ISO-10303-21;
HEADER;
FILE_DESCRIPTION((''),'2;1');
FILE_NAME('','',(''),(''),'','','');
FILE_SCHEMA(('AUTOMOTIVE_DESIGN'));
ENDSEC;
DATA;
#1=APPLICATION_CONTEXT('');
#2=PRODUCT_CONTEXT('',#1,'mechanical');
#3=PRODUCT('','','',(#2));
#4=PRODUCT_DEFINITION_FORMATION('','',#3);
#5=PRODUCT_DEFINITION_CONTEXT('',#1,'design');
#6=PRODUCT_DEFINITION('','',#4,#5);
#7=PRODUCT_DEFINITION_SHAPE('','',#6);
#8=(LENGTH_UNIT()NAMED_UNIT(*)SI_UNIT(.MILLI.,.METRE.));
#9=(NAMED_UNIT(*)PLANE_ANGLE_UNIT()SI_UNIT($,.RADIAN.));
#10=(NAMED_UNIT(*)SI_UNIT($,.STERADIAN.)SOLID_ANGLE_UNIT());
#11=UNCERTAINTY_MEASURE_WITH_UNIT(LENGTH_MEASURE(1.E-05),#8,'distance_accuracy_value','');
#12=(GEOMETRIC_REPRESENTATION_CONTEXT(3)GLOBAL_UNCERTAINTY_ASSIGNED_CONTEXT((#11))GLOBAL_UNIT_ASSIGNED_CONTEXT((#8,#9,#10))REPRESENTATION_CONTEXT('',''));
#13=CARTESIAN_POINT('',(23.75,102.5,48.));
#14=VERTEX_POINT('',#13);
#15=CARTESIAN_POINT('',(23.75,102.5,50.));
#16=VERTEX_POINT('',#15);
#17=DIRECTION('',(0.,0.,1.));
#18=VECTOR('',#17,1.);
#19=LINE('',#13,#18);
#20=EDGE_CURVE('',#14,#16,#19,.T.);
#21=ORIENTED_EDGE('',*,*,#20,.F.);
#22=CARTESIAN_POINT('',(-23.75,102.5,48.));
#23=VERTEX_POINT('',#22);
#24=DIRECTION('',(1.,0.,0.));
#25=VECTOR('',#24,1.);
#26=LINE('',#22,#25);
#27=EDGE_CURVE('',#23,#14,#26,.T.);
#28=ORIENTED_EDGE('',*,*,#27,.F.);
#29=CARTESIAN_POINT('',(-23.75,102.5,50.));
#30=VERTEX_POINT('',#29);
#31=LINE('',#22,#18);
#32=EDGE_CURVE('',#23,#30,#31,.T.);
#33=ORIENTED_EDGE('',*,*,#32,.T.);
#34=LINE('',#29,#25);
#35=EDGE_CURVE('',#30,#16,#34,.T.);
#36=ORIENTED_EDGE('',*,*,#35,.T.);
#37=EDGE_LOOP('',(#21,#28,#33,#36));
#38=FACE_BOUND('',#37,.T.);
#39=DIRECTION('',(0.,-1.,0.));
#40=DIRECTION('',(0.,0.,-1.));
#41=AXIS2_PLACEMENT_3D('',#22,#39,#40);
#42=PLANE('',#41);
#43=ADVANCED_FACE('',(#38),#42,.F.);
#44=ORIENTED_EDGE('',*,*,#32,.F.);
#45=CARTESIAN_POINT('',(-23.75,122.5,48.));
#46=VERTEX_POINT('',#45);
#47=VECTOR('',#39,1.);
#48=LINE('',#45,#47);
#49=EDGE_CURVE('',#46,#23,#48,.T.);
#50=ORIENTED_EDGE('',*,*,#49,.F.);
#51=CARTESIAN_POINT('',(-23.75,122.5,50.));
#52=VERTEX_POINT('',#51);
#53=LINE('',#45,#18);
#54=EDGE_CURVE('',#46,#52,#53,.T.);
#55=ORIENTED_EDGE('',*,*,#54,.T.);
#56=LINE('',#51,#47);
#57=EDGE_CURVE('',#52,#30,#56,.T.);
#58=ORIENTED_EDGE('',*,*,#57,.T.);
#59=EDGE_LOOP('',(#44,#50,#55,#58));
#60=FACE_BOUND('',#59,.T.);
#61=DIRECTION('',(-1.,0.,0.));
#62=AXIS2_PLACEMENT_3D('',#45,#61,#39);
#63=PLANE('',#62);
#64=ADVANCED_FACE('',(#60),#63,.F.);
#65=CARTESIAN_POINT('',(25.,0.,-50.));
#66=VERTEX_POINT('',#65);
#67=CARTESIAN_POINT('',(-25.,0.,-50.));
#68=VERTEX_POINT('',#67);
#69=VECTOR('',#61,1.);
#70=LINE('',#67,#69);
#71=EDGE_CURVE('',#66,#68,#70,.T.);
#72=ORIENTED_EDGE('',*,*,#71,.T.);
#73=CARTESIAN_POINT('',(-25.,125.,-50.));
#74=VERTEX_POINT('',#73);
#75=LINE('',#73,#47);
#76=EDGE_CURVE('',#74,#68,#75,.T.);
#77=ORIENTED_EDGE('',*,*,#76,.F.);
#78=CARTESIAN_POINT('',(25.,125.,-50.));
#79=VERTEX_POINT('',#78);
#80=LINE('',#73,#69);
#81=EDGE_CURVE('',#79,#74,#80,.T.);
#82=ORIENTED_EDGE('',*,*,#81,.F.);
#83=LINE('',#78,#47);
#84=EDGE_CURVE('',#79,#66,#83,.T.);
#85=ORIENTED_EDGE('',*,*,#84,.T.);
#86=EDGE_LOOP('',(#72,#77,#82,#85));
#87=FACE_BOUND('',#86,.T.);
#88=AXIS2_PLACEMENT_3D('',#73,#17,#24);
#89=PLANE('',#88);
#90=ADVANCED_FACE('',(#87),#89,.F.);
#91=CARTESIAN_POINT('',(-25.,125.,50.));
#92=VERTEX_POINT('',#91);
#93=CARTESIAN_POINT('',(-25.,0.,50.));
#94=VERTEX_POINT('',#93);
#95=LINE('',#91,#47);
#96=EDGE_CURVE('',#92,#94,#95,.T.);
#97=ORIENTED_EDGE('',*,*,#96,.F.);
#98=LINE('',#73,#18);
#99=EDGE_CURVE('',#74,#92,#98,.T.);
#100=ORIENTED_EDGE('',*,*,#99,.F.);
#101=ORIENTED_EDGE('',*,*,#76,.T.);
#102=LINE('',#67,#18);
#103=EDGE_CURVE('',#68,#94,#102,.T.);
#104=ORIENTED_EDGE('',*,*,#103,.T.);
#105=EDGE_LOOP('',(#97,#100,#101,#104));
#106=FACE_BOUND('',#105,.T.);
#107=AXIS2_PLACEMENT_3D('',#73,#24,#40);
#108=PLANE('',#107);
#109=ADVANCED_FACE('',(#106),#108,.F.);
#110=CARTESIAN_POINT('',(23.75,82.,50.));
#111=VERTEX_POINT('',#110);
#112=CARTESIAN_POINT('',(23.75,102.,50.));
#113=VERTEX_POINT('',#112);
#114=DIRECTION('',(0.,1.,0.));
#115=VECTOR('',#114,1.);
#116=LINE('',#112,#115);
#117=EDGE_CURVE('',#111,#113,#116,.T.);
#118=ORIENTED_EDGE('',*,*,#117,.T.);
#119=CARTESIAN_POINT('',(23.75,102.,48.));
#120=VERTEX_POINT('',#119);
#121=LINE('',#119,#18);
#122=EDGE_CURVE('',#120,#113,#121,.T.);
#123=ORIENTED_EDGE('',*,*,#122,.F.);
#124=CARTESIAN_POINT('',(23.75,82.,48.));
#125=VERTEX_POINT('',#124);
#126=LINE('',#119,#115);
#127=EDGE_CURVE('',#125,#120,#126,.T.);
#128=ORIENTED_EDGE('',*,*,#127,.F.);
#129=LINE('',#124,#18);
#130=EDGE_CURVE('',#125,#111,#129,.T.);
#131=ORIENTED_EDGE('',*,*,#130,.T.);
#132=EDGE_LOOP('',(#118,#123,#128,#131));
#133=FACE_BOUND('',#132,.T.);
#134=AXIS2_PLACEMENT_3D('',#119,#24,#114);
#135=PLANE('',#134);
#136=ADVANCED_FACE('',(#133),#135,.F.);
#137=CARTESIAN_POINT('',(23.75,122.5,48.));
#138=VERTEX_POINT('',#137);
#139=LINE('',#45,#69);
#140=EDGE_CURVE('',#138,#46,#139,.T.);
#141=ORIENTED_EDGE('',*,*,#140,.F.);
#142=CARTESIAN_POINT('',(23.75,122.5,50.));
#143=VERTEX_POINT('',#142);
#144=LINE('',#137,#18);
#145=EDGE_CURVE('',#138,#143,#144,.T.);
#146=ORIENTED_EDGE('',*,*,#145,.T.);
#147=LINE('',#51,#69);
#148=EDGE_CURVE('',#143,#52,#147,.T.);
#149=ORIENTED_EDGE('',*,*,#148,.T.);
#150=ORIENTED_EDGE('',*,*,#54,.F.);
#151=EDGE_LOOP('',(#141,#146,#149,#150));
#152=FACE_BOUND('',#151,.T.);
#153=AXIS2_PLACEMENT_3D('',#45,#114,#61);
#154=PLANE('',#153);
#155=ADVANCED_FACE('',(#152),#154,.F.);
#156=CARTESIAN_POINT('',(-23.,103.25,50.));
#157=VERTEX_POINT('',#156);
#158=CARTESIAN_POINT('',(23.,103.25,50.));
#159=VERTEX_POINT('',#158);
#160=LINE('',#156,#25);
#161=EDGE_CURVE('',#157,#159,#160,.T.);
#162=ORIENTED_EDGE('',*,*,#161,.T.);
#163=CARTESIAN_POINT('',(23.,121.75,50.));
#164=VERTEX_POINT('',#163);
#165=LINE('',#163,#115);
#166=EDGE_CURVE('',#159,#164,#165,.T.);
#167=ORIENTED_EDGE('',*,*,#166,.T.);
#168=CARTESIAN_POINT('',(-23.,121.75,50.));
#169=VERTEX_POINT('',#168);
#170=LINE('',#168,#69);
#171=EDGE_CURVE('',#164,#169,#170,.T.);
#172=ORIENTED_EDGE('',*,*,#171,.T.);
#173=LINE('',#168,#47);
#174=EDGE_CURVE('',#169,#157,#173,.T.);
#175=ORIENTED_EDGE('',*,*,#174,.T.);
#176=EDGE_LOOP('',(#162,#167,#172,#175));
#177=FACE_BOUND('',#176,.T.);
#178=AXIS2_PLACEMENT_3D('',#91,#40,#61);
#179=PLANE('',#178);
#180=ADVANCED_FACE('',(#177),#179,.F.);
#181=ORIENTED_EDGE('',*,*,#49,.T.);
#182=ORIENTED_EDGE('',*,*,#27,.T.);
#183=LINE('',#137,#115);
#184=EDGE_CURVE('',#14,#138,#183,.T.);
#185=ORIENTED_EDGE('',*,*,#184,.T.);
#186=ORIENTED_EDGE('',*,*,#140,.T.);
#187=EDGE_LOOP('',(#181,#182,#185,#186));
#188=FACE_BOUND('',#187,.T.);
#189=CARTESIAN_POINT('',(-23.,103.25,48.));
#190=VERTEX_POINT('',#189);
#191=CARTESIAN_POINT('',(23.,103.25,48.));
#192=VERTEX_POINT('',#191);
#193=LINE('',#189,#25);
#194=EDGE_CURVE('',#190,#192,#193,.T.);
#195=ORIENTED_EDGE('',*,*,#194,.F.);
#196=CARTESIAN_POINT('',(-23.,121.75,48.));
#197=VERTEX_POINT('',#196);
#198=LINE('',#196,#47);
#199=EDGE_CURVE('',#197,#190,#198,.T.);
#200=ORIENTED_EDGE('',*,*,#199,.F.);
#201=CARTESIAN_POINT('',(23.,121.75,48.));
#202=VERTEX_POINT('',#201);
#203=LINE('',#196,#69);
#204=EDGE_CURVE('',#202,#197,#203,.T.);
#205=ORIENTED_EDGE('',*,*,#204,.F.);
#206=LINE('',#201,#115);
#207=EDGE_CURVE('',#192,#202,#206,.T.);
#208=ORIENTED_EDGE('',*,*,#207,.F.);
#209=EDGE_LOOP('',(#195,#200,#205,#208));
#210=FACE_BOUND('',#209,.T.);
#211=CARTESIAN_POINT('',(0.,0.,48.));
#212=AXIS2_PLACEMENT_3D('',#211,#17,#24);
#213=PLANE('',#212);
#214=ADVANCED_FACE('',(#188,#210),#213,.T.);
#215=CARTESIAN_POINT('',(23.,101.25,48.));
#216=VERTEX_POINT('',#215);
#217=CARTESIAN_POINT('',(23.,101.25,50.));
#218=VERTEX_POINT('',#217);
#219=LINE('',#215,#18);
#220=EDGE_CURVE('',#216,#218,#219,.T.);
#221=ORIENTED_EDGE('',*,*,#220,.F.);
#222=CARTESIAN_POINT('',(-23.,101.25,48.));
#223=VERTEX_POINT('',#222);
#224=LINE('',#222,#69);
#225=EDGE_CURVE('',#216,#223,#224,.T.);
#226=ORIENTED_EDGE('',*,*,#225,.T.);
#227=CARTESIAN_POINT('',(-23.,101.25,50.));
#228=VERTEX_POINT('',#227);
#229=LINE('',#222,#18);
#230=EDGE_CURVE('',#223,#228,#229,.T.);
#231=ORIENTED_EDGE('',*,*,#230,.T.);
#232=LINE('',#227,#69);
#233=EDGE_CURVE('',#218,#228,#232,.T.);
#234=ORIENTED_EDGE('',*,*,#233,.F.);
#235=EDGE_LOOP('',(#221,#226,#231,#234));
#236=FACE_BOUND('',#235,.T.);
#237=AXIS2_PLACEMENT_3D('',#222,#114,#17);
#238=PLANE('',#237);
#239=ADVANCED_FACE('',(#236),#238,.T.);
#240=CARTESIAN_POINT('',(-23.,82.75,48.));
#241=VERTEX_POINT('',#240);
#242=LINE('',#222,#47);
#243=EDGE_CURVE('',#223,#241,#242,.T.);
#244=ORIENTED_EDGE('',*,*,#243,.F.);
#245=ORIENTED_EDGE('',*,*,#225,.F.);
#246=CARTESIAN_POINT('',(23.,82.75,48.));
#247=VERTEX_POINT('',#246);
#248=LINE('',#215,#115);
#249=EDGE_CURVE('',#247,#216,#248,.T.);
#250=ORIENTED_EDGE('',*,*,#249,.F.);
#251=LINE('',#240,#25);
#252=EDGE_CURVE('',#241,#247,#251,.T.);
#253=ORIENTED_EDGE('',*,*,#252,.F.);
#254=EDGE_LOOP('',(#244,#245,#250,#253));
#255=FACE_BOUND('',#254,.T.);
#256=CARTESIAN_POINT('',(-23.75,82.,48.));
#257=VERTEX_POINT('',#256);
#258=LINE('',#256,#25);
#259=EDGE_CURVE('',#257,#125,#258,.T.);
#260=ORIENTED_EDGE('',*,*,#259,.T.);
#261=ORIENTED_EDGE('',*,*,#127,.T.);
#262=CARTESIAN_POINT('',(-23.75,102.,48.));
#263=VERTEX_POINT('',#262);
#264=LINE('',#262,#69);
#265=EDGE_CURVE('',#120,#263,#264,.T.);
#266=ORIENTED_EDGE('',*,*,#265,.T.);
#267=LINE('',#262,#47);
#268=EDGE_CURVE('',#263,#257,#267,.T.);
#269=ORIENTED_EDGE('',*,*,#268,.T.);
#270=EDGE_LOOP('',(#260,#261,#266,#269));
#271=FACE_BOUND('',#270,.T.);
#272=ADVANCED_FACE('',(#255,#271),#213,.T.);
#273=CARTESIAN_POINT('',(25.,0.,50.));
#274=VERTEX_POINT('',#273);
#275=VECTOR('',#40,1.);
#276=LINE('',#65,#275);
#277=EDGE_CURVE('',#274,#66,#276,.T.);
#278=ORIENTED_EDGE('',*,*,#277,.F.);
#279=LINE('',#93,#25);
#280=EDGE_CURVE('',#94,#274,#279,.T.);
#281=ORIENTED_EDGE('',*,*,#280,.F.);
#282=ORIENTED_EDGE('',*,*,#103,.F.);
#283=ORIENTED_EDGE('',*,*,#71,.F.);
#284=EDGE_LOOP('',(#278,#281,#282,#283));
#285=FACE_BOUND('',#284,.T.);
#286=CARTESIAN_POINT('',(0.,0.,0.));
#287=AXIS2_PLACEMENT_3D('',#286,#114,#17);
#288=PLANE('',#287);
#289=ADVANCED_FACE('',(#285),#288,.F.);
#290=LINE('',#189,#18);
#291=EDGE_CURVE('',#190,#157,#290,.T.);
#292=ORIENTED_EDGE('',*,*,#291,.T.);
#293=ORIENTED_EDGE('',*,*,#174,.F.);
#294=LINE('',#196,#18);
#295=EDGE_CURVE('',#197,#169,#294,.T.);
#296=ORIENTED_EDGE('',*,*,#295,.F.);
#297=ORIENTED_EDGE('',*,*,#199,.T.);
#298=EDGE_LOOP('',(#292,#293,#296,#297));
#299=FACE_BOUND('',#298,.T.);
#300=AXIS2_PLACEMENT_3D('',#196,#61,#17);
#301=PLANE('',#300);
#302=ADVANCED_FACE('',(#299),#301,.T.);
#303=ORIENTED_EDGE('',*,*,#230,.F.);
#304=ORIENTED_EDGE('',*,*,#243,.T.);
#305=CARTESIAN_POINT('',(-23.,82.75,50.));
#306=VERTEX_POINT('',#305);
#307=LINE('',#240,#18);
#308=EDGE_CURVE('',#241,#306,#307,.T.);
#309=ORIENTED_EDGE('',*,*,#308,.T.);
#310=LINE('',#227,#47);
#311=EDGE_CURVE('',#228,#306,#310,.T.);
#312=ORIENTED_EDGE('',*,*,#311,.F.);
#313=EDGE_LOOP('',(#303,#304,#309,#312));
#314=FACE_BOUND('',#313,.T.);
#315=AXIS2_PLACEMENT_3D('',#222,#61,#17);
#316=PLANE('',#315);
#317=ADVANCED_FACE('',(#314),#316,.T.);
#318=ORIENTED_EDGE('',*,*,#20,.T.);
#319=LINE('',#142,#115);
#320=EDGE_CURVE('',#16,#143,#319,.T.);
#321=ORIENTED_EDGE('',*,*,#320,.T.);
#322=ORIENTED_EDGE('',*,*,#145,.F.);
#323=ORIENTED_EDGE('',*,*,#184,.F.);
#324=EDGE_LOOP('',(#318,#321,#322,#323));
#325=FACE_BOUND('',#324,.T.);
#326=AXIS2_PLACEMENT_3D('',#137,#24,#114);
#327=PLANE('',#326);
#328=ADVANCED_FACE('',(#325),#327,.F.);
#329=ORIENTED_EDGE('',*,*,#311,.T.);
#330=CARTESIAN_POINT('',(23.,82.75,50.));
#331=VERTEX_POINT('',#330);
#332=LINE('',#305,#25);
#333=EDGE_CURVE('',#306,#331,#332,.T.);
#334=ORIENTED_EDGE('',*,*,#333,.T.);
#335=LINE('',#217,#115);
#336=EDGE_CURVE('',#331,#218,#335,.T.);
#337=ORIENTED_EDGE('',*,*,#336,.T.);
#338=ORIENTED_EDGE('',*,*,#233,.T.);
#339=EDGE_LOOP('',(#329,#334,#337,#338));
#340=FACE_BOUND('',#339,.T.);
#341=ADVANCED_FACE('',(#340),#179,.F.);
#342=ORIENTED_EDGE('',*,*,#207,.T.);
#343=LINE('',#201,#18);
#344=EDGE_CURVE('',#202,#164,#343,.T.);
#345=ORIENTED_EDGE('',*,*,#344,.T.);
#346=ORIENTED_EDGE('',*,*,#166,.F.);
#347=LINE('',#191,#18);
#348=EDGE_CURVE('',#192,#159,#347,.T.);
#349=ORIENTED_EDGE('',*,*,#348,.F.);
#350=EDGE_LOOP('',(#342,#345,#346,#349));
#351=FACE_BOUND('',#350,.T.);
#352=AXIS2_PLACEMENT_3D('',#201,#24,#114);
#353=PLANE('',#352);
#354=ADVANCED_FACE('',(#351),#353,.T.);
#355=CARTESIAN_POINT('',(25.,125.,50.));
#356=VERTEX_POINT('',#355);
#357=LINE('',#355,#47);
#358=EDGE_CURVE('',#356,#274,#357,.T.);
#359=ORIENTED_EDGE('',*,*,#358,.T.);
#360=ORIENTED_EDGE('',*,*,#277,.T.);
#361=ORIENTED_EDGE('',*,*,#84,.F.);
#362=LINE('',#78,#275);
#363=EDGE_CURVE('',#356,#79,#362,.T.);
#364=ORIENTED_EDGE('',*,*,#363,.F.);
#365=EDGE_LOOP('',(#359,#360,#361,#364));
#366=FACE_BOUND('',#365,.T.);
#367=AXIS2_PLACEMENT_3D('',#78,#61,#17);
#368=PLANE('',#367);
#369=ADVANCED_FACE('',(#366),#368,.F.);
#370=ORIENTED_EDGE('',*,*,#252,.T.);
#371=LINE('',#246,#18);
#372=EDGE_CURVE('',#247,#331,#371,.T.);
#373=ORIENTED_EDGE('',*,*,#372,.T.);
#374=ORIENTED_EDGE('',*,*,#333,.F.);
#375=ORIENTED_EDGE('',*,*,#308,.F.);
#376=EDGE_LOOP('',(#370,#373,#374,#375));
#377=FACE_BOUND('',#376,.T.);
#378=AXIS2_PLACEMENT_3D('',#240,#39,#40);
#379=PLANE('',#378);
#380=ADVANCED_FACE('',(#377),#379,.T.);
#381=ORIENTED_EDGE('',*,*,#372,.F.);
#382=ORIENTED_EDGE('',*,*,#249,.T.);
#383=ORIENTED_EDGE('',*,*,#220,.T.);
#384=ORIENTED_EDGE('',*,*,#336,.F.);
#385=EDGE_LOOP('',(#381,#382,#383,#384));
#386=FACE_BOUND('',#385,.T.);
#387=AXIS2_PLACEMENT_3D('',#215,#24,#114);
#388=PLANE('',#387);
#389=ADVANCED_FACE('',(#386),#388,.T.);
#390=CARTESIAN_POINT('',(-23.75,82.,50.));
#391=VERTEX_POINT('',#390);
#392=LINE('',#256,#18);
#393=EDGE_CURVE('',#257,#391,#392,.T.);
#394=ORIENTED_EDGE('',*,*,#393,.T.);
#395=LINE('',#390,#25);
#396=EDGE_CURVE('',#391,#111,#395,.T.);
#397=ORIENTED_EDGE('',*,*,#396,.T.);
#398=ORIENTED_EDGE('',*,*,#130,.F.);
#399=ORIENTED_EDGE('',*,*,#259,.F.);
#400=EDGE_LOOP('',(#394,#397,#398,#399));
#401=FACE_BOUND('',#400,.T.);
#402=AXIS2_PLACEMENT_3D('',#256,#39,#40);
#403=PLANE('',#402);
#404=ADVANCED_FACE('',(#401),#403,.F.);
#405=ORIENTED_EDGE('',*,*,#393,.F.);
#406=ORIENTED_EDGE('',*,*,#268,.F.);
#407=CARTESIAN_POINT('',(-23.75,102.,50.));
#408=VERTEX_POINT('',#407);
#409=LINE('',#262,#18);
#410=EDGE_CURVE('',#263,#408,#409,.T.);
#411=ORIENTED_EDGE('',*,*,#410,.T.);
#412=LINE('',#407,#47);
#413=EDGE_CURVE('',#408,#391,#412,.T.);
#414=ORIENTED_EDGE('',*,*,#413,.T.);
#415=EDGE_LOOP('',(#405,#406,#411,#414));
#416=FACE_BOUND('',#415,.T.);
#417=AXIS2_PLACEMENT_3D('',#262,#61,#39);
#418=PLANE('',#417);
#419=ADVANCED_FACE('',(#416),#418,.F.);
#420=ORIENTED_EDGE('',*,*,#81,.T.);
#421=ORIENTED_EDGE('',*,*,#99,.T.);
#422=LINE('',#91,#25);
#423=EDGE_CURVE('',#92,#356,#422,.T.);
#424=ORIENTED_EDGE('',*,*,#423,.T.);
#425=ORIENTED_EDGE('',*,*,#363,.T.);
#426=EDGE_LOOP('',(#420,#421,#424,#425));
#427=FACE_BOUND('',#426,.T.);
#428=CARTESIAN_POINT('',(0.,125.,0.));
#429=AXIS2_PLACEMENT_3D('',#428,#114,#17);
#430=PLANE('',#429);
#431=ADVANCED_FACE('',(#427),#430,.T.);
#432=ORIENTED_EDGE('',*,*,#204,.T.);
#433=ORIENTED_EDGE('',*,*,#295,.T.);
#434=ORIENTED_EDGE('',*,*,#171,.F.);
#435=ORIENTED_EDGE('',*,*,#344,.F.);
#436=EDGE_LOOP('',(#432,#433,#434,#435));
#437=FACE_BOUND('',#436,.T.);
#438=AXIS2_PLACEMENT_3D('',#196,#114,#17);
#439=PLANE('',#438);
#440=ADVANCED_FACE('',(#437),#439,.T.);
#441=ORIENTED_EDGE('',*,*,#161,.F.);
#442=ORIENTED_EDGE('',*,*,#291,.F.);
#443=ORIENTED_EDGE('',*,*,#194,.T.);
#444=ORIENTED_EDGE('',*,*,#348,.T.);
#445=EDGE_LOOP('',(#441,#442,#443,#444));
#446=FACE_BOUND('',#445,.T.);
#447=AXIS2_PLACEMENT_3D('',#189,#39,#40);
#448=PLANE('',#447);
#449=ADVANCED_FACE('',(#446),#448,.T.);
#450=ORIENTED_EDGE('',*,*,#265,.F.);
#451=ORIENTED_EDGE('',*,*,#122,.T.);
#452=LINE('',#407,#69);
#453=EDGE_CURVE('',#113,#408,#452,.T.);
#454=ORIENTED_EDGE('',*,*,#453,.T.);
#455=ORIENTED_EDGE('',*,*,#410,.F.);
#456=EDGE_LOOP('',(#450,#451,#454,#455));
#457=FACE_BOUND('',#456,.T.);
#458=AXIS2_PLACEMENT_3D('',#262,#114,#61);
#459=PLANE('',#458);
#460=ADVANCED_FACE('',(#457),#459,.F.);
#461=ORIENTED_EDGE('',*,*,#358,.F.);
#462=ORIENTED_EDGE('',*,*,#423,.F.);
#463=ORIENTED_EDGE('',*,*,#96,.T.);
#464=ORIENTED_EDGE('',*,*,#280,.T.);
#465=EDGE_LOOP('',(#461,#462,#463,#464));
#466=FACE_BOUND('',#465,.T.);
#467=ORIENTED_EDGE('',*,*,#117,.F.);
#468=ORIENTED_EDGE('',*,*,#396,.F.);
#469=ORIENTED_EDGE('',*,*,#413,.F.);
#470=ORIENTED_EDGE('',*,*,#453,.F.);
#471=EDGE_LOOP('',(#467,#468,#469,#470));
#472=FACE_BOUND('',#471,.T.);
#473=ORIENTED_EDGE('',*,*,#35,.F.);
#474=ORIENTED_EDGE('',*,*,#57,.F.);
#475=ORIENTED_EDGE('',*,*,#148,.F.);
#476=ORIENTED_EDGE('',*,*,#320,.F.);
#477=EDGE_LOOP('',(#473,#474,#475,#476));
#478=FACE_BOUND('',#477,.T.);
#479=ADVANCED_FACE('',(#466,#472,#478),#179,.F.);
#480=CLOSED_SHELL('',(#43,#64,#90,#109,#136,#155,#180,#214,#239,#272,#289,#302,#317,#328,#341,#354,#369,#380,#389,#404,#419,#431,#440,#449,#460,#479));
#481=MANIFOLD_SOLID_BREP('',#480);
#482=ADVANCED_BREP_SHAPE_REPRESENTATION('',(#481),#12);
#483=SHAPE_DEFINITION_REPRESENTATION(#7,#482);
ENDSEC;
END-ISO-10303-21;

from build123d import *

# Parameters (mm, degrees)
SKETCH1_W           = 50
SKETCH1_H           = 100
BOSS_EXTRUDE1_DEPTH = 125
SKETCH2_W           = 47.5
SKETCH2_H           = 20
SKETCH2_W_2         = 46
SKETCH2_H_2         = 18.5
CUT_EXTRUDE1_DEPTH  = 2


with BuildPart() as part:
    # Sketch1 → Boss-Extrude1 (new body)
    with BuildSketch(Plane(origin=(0, 0, 0), x_dir=(1, 0, 0), z_dir=(0, 1, 0))):
        Rectangle(SKETCH1_W, SKETCH1_H)
    extrude(amount=BOSS_EXTRUDE1_DEPTH)

    # Sketch2 → Cut-Extrude1 (cut)
    with BuildSketch(Plane.XY.offset(50)):
        with Locations((0, 112.5)):
            Rectangle(SKETCH2_W, SKETCH2_H)
        with Locations((0, 112.5)):
            Rectangle(SKETCH2_W_2, SKETCH2_H_2, mode=Mode.SUBTRACT)
        with Locations((0, 92)):
            Rectangle(SKETCH2_W, SKETCH2_H)
        with Locations((0, 92)):
            Rectangle(SKETCH2_W_2, SKETCH2_H_2, mode=Mode.SUBTRACT)
    extrude(amount=-CUT_EXTRUDE1_DEPTH, mode=Mode.SUBTRACT)


solid = part.part
